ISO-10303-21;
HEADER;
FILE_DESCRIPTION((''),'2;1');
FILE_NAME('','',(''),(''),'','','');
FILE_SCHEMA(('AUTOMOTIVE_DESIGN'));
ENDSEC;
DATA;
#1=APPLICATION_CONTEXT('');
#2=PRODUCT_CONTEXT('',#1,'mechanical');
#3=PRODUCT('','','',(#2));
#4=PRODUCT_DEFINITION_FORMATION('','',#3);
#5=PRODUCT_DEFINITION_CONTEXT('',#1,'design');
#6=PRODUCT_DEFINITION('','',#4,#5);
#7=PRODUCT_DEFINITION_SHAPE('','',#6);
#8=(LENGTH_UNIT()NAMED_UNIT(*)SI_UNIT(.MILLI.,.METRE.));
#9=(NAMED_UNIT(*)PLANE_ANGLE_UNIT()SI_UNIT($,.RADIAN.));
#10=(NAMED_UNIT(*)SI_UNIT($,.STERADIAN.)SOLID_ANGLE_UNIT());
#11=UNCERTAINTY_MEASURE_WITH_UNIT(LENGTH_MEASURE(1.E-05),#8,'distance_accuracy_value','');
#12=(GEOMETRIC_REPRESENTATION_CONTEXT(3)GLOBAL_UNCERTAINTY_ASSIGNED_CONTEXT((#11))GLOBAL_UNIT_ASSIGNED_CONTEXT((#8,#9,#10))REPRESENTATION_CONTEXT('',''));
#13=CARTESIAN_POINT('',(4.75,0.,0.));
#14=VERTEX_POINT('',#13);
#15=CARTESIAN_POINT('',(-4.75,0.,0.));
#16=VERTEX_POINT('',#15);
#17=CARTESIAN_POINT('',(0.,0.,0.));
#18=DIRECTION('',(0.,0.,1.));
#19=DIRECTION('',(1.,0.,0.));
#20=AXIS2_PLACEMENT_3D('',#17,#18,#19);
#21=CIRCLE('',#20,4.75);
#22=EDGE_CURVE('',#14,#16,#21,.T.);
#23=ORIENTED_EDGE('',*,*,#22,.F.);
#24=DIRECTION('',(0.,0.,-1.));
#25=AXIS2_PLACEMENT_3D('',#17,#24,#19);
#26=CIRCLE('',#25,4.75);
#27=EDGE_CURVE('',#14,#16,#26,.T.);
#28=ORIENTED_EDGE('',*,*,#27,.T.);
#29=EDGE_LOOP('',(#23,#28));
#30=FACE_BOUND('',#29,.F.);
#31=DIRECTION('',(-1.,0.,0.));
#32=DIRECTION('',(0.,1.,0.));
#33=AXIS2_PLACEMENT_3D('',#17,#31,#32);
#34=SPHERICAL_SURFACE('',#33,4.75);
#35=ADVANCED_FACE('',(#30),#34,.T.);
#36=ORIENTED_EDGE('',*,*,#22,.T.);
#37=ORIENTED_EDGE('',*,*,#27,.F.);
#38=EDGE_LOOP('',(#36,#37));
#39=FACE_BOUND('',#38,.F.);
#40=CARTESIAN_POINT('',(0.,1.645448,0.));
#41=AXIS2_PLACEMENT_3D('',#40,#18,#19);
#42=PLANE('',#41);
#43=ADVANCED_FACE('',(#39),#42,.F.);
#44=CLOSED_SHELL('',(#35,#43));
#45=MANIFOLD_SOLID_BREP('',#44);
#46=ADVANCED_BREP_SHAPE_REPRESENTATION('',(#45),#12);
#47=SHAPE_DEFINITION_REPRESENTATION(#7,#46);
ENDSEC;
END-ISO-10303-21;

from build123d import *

# Parameters (mm, degrees)
F1_ANGLE = 180


with BuildPart() as f1:
    # F0 (on Top) → F1 (revolve)
    with BuildSketch(Plane.XY):
        with BuildLine():
            ThreePointArc((4.75, 0), (0, 4.75), (-4.75, 0))
            Line((-4.75, 0), (4.75, 0))
        make_face()
    revolve(axis=Axis((0, 0, 0), (1, 0, 0)), revolution_arc=F1_ANGLE)


solid = f1.part
